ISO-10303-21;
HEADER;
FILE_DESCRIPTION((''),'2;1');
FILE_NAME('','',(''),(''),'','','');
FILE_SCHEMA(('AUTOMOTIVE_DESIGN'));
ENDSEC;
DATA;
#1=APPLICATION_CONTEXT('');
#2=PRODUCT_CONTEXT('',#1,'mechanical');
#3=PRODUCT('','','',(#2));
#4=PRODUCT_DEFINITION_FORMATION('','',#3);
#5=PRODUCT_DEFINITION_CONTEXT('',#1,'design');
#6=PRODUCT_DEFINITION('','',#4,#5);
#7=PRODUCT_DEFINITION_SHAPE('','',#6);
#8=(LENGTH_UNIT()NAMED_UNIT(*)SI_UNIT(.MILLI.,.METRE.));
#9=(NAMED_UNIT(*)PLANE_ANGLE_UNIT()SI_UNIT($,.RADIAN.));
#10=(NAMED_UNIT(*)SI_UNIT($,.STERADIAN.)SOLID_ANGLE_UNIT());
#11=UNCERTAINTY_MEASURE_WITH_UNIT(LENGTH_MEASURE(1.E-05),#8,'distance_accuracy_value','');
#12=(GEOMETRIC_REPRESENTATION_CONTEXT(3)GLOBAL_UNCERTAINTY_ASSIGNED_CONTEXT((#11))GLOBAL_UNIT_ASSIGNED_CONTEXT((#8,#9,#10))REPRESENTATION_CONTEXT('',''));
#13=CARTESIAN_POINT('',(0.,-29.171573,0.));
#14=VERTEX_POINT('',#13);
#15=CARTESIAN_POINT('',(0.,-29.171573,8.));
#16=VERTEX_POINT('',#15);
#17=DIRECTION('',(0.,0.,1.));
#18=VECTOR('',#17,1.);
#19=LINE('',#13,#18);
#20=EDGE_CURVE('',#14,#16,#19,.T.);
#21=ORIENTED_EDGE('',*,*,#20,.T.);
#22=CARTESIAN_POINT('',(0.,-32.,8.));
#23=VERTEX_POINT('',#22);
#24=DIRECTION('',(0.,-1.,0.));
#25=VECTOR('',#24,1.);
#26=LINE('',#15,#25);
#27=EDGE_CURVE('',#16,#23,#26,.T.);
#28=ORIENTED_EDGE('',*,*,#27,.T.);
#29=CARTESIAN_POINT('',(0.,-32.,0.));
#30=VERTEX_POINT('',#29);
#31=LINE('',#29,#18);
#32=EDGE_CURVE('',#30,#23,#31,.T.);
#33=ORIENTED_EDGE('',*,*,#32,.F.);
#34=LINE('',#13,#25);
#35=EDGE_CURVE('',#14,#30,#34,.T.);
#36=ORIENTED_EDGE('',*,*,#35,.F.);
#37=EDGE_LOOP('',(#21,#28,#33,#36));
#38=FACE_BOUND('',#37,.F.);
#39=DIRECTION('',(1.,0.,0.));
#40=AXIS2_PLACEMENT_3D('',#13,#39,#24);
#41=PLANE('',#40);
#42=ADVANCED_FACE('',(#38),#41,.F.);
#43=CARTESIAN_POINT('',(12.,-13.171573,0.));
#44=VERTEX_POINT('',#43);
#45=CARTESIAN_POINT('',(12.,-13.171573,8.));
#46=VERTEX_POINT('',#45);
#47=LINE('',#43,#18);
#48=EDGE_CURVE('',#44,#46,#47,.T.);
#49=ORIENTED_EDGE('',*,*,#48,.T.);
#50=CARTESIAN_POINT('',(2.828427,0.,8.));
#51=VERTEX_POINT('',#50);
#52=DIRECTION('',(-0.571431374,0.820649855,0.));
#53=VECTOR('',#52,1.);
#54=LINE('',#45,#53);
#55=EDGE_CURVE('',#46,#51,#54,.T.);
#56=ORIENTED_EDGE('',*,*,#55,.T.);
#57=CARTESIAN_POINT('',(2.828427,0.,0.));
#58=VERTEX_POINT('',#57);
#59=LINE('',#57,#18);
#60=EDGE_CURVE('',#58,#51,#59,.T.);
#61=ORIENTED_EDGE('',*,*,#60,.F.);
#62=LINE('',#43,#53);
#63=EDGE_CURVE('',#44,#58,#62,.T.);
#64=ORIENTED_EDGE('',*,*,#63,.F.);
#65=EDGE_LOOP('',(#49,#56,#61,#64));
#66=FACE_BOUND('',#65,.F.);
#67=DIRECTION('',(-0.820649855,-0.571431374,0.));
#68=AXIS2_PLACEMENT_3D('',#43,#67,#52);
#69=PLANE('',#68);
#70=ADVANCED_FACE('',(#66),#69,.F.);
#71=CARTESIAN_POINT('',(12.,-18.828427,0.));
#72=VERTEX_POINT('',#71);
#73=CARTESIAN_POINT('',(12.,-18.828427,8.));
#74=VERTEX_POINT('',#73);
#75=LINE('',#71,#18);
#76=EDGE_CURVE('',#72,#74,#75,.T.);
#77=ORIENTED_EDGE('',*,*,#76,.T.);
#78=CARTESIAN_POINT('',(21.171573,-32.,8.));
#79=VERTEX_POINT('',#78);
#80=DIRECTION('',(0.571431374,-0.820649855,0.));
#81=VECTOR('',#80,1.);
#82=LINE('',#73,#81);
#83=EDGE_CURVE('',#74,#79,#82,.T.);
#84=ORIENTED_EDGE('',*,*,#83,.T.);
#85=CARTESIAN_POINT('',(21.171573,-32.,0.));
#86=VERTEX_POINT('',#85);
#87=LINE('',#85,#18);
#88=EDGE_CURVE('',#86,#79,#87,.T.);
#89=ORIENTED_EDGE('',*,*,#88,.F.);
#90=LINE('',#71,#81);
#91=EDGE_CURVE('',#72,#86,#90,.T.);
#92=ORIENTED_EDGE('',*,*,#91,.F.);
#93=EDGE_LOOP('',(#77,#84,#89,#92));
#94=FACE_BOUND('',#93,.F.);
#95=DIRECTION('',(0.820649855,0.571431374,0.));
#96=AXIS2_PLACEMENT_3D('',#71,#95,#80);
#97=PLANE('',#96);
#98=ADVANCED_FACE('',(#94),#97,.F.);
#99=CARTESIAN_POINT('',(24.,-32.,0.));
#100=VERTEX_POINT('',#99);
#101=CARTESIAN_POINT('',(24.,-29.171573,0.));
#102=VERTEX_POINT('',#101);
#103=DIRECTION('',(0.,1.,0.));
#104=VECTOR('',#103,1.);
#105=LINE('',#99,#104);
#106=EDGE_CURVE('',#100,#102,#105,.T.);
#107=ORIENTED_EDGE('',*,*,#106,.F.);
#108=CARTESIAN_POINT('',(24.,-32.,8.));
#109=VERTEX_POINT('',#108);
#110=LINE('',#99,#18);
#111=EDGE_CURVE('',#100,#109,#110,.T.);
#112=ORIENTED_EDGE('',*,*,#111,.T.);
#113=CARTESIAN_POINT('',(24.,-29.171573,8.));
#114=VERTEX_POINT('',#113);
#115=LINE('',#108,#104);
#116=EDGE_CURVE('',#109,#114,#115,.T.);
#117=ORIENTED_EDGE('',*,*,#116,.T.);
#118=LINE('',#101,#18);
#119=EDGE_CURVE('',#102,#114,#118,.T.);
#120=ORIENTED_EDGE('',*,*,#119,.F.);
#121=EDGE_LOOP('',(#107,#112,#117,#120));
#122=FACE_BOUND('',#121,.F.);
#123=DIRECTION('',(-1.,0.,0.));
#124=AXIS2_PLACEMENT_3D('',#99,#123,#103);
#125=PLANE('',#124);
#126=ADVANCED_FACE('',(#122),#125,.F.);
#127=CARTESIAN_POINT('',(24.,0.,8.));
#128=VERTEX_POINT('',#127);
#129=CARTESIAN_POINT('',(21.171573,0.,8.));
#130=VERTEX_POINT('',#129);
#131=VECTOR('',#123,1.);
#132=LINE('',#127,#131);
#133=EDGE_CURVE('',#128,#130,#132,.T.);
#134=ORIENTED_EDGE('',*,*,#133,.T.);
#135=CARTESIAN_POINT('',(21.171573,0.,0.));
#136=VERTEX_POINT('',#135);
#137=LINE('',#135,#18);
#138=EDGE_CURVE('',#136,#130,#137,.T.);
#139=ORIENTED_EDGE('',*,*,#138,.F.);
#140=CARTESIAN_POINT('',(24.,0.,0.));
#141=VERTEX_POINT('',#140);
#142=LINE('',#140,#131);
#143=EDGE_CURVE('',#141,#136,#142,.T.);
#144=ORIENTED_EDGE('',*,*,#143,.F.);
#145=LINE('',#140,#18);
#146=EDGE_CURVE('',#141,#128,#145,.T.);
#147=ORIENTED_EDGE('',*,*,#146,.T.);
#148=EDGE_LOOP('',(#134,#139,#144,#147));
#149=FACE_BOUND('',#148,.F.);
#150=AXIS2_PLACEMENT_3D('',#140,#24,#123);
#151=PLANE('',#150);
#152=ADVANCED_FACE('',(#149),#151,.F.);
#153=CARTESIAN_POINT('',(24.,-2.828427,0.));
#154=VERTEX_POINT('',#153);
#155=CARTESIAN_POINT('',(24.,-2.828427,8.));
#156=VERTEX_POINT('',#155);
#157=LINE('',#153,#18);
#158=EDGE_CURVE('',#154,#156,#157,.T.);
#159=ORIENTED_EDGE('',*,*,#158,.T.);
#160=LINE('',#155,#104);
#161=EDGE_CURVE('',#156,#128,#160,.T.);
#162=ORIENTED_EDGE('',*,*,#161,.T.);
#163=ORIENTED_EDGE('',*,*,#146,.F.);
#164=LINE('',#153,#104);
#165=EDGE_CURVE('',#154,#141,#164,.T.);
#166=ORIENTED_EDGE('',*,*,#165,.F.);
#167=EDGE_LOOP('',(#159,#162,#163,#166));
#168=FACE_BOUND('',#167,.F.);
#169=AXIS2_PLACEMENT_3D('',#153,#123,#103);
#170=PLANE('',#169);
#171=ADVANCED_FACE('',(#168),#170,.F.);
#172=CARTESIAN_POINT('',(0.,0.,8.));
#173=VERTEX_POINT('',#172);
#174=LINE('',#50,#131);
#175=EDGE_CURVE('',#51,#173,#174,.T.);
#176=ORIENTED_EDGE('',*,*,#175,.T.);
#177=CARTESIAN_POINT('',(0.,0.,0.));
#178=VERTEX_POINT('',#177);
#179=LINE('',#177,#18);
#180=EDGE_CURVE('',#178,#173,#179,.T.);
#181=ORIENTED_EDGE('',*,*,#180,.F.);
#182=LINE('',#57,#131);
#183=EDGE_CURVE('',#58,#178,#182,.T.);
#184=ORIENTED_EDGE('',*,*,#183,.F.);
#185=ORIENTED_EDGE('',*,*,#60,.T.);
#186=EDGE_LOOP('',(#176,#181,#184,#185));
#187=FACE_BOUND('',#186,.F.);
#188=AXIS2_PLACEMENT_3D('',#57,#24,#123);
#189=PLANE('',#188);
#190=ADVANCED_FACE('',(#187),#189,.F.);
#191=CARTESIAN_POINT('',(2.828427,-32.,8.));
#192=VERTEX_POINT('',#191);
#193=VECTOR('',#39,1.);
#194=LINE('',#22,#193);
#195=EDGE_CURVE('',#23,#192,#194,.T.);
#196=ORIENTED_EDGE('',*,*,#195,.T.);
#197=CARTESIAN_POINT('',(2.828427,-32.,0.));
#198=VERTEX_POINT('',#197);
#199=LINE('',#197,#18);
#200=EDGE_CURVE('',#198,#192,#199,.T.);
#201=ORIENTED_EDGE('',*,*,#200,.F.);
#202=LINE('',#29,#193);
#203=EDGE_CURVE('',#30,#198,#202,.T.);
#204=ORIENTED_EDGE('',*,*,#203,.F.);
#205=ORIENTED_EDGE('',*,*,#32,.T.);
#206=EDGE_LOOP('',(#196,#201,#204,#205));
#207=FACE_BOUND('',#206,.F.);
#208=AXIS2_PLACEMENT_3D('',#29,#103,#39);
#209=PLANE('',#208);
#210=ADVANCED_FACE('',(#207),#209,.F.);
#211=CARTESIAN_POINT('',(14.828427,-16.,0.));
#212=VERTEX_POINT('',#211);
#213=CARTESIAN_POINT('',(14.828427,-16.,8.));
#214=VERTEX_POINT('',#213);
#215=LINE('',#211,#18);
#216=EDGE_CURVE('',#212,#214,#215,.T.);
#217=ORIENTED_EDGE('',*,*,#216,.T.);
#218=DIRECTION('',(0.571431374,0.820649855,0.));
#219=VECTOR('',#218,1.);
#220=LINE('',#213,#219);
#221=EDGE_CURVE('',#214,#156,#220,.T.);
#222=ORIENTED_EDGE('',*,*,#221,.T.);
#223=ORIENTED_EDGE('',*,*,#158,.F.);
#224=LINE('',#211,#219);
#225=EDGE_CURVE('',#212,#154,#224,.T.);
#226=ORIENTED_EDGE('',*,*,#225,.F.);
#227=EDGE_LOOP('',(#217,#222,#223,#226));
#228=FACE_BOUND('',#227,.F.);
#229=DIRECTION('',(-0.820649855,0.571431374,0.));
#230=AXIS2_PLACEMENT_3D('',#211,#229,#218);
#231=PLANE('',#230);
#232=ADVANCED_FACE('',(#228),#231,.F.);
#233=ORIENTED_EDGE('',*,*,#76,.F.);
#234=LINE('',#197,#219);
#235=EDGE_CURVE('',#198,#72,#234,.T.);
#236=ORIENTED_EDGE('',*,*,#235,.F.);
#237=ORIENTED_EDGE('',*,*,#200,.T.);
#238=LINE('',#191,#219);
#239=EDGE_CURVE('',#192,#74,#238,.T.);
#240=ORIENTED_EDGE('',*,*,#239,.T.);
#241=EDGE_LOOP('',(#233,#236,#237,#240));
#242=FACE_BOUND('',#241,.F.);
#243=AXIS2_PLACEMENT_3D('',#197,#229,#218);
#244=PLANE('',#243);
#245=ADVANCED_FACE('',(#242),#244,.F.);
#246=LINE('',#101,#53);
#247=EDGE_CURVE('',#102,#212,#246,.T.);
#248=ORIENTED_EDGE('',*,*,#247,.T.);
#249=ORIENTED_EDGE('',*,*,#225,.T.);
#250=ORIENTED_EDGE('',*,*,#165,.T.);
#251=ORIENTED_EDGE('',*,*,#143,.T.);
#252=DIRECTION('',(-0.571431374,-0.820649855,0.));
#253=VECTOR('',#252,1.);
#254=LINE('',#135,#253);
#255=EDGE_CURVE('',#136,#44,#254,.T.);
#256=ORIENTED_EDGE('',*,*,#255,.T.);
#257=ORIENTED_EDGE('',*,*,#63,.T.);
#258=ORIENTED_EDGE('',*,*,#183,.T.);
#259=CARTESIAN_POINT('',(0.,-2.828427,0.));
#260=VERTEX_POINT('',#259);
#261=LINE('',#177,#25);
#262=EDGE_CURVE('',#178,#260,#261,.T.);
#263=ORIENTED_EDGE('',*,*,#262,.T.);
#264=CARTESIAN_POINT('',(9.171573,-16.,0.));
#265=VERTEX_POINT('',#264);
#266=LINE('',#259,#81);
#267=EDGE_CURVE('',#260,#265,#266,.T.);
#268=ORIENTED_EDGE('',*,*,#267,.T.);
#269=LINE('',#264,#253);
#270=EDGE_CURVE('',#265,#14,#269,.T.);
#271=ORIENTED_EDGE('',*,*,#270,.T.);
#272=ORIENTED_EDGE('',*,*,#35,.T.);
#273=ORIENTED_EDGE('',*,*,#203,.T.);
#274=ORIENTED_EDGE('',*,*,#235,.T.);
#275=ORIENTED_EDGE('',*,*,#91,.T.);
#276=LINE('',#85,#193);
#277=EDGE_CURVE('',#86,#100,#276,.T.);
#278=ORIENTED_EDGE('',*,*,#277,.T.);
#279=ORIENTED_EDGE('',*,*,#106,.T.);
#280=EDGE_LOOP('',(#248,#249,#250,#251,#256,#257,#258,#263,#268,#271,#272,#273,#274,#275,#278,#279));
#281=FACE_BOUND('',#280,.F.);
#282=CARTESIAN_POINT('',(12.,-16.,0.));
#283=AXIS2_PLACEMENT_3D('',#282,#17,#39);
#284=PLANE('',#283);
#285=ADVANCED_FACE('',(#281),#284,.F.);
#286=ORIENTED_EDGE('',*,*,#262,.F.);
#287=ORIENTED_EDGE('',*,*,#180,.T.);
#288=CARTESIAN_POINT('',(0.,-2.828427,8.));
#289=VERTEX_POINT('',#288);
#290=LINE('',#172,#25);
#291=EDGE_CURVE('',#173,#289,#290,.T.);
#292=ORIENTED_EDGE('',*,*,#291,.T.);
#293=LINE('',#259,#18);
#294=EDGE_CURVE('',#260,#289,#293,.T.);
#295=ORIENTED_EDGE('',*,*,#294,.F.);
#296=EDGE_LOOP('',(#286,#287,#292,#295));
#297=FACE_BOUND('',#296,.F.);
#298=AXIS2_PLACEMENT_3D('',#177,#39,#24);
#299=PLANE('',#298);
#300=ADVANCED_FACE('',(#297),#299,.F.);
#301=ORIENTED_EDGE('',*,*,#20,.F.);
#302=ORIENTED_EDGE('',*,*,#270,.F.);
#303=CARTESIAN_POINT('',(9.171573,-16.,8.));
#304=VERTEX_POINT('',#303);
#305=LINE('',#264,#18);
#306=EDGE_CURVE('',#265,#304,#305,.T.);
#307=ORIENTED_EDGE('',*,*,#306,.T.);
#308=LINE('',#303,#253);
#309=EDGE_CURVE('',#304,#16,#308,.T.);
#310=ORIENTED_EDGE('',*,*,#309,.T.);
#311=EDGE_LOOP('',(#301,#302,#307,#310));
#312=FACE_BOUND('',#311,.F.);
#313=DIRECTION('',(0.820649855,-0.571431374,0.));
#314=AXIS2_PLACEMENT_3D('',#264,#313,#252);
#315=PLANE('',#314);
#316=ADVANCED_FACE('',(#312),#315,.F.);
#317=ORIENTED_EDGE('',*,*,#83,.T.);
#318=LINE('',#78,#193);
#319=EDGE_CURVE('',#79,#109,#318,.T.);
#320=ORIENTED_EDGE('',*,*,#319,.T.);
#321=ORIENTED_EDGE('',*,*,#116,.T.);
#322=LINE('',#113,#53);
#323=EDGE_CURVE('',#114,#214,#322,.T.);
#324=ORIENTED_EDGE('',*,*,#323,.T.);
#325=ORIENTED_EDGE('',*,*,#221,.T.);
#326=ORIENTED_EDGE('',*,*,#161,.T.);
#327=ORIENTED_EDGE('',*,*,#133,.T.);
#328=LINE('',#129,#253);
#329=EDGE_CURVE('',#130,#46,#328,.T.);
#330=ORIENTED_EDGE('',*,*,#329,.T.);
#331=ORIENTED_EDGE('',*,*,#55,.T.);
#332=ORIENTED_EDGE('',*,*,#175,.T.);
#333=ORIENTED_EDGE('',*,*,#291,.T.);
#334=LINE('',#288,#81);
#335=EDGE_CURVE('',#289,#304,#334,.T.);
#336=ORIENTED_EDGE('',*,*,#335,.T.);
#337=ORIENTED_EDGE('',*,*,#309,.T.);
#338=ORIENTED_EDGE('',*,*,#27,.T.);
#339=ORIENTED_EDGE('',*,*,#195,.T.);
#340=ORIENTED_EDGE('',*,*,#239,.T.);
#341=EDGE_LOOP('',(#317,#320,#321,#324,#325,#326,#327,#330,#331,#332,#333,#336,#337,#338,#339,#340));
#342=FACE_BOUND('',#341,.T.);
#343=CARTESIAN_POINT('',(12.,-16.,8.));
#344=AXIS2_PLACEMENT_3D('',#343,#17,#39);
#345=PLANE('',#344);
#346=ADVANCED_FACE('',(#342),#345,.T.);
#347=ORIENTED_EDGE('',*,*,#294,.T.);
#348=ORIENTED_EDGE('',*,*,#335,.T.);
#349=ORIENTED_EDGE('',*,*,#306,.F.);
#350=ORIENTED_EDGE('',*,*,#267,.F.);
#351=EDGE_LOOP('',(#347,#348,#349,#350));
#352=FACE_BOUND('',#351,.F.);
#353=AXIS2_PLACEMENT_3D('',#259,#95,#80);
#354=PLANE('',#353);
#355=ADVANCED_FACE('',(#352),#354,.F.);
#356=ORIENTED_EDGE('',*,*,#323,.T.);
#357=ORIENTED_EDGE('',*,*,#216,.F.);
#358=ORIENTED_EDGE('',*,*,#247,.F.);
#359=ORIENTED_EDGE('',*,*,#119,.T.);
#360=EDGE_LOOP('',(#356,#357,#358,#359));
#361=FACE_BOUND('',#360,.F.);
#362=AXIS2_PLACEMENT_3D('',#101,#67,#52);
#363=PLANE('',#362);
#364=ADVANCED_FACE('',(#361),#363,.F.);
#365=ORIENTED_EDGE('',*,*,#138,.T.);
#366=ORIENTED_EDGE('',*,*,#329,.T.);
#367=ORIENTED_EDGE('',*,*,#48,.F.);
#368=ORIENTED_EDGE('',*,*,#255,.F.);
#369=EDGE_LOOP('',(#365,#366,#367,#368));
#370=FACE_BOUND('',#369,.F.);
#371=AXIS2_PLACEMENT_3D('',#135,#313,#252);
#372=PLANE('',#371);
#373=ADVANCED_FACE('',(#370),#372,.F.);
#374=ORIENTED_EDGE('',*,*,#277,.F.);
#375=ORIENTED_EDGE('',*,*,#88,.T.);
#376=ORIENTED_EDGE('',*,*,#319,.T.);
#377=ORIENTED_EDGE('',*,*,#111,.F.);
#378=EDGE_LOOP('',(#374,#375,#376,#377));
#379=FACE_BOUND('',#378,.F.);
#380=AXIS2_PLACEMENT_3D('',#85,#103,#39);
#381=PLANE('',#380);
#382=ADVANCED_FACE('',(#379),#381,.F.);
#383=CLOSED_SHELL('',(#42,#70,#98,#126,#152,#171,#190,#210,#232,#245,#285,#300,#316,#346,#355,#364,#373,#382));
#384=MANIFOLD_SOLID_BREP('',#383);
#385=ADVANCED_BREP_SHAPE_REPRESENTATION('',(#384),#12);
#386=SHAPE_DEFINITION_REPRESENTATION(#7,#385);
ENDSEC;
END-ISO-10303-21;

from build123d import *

# Parameters (mm, degrees)
F1_DEPTH = 8


with BuildPart() as f1:
    # F0 (on Top) → F1 (new body)
    with BuildSketch(Plane.XY):
        Polygon((2.828427, 0), (0, 0), (0, -2.828427), (9.171573, -16), (0, -29.171573), (0, -32), (2.828427, -32), (12, -18.828427), (21.171573, -32), (24, -32), (24, -29.171573), (14.828427, -16), (24, -2.828427), (24, 0), (21.171573, 0), (12, -13.171573), align=None)
    extrude(amount=F1_DEPTH)


solid = f1.part
